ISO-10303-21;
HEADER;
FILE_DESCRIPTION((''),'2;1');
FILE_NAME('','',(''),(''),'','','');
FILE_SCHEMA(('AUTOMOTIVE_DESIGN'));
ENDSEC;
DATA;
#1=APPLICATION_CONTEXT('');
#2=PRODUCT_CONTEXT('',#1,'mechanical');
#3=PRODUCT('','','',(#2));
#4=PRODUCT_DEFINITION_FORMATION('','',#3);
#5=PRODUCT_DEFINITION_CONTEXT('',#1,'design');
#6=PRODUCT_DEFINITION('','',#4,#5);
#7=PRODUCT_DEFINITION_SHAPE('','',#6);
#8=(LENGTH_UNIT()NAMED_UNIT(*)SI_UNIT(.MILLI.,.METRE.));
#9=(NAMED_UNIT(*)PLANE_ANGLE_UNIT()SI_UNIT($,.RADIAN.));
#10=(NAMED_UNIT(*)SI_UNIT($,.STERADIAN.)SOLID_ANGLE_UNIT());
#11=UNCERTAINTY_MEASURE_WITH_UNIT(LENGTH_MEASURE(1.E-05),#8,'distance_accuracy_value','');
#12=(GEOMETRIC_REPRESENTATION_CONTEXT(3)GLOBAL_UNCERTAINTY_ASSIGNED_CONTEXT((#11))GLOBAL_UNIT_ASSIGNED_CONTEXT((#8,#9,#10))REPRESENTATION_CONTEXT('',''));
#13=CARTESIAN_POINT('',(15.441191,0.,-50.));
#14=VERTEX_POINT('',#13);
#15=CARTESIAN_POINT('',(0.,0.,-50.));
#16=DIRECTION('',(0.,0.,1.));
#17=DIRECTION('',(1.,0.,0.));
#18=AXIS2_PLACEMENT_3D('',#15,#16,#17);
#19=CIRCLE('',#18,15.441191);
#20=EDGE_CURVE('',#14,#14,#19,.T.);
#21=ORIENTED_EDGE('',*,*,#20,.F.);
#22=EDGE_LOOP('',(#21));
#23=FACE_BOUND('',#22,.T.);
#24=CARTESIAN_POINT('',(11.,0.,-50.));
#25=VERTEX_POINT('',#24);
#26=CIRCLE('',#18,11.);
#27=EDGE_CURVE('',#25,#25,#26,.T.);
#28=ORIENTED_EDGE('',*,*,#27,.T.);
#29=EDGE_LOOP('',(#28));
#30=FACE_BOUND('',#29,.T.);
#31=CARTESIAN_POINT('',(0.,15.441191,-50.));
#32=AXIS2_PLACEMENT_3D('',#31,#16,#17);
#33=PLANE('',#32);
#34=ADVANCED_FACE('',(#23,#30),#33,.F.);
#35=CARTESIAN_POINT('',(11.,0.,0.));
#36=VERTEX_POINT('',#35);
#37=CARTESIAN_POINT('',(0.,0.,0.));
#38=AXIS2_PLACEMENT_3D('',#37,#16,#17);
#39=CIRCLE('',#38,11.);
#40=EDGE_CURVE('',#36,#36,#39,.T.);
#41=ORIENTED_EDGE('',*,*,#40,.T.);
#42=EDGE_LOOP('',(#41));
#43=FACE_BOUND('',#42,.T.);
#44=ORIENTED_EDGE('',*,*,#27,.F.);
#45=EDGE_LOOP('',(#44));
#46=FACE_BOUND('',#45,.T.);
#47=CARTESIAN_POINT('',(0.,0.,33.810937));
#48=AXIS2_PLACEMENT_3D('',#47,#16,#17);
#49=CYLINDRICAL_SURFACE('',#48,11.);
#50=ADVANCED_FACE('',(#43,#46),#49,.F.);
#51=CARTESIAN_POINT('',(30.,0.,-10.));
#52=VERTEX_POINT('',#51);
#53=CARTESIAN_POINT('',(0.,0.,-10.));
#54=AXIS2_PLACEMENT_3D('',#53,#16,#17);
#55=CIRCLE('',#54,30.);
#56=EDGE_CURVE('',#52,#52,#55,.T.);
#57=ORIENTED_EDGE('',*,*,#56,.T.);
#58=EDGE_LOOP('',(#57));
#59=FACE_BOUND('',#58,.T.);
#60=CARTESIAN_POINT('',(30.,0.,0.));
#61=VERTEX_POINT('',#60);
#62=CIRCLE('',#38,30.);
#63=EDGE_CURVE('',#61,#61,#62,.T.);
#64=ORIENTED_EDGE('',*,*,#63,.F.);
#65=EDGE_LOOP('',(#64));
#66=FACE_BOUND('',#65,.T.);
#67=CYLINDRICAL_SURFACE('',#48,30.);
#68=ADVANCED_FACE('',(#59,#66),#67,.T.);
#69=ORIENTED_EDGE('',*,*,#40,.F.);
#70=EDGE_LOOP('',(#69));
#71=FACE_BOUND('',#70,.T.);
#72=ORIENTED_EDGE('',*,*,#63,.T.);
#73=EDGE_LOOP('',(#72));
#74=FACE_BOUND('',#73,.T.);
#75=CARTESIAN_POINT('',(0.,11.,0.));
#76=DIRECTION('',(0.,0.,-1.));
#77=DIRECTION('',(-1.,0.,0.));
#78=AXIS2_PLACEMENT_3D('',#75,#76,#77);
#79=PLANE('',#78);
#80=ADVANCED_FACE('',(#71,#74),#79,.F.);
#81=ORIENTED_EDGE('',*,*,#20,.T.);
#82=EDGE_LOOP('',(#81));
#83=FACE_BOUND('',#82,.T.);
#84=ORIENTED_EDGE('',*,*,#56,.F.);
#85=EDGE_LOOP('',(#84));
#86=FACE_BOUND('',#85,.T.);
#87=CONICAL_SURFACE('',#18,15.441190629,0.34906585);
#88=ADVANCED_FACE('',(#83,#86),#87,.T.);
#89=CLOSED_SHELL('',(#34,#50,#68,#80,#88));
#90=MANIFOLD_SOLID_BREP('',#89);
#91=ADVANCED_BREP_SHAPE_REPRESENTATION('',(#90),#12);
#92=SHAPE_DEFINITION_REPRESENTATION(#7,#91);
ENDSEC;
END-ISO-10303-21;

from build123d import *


with BuildPart() as part:
    # Sketch1 → Revolve1 (revolve)
    with BuildSketch(Plane(origin=(0, 0, 0), x_dir=(0, 0, -1), z_dir=(1, 0, 0)), mode=Mode.PRIVATE) as revolve1_sk:
        Polygon((0, 11), (0, 30), (10, 30), (50, 15.441190629), (50, 11), align=None)
    revolve(revolve1_sk.sketch.rotate(Axis((0, 0, 33.810937322), (0, 0, -1)), 90), axis=Axis((0, 0, 33.810937322), (0, 0, -1)))


solid = part.part
